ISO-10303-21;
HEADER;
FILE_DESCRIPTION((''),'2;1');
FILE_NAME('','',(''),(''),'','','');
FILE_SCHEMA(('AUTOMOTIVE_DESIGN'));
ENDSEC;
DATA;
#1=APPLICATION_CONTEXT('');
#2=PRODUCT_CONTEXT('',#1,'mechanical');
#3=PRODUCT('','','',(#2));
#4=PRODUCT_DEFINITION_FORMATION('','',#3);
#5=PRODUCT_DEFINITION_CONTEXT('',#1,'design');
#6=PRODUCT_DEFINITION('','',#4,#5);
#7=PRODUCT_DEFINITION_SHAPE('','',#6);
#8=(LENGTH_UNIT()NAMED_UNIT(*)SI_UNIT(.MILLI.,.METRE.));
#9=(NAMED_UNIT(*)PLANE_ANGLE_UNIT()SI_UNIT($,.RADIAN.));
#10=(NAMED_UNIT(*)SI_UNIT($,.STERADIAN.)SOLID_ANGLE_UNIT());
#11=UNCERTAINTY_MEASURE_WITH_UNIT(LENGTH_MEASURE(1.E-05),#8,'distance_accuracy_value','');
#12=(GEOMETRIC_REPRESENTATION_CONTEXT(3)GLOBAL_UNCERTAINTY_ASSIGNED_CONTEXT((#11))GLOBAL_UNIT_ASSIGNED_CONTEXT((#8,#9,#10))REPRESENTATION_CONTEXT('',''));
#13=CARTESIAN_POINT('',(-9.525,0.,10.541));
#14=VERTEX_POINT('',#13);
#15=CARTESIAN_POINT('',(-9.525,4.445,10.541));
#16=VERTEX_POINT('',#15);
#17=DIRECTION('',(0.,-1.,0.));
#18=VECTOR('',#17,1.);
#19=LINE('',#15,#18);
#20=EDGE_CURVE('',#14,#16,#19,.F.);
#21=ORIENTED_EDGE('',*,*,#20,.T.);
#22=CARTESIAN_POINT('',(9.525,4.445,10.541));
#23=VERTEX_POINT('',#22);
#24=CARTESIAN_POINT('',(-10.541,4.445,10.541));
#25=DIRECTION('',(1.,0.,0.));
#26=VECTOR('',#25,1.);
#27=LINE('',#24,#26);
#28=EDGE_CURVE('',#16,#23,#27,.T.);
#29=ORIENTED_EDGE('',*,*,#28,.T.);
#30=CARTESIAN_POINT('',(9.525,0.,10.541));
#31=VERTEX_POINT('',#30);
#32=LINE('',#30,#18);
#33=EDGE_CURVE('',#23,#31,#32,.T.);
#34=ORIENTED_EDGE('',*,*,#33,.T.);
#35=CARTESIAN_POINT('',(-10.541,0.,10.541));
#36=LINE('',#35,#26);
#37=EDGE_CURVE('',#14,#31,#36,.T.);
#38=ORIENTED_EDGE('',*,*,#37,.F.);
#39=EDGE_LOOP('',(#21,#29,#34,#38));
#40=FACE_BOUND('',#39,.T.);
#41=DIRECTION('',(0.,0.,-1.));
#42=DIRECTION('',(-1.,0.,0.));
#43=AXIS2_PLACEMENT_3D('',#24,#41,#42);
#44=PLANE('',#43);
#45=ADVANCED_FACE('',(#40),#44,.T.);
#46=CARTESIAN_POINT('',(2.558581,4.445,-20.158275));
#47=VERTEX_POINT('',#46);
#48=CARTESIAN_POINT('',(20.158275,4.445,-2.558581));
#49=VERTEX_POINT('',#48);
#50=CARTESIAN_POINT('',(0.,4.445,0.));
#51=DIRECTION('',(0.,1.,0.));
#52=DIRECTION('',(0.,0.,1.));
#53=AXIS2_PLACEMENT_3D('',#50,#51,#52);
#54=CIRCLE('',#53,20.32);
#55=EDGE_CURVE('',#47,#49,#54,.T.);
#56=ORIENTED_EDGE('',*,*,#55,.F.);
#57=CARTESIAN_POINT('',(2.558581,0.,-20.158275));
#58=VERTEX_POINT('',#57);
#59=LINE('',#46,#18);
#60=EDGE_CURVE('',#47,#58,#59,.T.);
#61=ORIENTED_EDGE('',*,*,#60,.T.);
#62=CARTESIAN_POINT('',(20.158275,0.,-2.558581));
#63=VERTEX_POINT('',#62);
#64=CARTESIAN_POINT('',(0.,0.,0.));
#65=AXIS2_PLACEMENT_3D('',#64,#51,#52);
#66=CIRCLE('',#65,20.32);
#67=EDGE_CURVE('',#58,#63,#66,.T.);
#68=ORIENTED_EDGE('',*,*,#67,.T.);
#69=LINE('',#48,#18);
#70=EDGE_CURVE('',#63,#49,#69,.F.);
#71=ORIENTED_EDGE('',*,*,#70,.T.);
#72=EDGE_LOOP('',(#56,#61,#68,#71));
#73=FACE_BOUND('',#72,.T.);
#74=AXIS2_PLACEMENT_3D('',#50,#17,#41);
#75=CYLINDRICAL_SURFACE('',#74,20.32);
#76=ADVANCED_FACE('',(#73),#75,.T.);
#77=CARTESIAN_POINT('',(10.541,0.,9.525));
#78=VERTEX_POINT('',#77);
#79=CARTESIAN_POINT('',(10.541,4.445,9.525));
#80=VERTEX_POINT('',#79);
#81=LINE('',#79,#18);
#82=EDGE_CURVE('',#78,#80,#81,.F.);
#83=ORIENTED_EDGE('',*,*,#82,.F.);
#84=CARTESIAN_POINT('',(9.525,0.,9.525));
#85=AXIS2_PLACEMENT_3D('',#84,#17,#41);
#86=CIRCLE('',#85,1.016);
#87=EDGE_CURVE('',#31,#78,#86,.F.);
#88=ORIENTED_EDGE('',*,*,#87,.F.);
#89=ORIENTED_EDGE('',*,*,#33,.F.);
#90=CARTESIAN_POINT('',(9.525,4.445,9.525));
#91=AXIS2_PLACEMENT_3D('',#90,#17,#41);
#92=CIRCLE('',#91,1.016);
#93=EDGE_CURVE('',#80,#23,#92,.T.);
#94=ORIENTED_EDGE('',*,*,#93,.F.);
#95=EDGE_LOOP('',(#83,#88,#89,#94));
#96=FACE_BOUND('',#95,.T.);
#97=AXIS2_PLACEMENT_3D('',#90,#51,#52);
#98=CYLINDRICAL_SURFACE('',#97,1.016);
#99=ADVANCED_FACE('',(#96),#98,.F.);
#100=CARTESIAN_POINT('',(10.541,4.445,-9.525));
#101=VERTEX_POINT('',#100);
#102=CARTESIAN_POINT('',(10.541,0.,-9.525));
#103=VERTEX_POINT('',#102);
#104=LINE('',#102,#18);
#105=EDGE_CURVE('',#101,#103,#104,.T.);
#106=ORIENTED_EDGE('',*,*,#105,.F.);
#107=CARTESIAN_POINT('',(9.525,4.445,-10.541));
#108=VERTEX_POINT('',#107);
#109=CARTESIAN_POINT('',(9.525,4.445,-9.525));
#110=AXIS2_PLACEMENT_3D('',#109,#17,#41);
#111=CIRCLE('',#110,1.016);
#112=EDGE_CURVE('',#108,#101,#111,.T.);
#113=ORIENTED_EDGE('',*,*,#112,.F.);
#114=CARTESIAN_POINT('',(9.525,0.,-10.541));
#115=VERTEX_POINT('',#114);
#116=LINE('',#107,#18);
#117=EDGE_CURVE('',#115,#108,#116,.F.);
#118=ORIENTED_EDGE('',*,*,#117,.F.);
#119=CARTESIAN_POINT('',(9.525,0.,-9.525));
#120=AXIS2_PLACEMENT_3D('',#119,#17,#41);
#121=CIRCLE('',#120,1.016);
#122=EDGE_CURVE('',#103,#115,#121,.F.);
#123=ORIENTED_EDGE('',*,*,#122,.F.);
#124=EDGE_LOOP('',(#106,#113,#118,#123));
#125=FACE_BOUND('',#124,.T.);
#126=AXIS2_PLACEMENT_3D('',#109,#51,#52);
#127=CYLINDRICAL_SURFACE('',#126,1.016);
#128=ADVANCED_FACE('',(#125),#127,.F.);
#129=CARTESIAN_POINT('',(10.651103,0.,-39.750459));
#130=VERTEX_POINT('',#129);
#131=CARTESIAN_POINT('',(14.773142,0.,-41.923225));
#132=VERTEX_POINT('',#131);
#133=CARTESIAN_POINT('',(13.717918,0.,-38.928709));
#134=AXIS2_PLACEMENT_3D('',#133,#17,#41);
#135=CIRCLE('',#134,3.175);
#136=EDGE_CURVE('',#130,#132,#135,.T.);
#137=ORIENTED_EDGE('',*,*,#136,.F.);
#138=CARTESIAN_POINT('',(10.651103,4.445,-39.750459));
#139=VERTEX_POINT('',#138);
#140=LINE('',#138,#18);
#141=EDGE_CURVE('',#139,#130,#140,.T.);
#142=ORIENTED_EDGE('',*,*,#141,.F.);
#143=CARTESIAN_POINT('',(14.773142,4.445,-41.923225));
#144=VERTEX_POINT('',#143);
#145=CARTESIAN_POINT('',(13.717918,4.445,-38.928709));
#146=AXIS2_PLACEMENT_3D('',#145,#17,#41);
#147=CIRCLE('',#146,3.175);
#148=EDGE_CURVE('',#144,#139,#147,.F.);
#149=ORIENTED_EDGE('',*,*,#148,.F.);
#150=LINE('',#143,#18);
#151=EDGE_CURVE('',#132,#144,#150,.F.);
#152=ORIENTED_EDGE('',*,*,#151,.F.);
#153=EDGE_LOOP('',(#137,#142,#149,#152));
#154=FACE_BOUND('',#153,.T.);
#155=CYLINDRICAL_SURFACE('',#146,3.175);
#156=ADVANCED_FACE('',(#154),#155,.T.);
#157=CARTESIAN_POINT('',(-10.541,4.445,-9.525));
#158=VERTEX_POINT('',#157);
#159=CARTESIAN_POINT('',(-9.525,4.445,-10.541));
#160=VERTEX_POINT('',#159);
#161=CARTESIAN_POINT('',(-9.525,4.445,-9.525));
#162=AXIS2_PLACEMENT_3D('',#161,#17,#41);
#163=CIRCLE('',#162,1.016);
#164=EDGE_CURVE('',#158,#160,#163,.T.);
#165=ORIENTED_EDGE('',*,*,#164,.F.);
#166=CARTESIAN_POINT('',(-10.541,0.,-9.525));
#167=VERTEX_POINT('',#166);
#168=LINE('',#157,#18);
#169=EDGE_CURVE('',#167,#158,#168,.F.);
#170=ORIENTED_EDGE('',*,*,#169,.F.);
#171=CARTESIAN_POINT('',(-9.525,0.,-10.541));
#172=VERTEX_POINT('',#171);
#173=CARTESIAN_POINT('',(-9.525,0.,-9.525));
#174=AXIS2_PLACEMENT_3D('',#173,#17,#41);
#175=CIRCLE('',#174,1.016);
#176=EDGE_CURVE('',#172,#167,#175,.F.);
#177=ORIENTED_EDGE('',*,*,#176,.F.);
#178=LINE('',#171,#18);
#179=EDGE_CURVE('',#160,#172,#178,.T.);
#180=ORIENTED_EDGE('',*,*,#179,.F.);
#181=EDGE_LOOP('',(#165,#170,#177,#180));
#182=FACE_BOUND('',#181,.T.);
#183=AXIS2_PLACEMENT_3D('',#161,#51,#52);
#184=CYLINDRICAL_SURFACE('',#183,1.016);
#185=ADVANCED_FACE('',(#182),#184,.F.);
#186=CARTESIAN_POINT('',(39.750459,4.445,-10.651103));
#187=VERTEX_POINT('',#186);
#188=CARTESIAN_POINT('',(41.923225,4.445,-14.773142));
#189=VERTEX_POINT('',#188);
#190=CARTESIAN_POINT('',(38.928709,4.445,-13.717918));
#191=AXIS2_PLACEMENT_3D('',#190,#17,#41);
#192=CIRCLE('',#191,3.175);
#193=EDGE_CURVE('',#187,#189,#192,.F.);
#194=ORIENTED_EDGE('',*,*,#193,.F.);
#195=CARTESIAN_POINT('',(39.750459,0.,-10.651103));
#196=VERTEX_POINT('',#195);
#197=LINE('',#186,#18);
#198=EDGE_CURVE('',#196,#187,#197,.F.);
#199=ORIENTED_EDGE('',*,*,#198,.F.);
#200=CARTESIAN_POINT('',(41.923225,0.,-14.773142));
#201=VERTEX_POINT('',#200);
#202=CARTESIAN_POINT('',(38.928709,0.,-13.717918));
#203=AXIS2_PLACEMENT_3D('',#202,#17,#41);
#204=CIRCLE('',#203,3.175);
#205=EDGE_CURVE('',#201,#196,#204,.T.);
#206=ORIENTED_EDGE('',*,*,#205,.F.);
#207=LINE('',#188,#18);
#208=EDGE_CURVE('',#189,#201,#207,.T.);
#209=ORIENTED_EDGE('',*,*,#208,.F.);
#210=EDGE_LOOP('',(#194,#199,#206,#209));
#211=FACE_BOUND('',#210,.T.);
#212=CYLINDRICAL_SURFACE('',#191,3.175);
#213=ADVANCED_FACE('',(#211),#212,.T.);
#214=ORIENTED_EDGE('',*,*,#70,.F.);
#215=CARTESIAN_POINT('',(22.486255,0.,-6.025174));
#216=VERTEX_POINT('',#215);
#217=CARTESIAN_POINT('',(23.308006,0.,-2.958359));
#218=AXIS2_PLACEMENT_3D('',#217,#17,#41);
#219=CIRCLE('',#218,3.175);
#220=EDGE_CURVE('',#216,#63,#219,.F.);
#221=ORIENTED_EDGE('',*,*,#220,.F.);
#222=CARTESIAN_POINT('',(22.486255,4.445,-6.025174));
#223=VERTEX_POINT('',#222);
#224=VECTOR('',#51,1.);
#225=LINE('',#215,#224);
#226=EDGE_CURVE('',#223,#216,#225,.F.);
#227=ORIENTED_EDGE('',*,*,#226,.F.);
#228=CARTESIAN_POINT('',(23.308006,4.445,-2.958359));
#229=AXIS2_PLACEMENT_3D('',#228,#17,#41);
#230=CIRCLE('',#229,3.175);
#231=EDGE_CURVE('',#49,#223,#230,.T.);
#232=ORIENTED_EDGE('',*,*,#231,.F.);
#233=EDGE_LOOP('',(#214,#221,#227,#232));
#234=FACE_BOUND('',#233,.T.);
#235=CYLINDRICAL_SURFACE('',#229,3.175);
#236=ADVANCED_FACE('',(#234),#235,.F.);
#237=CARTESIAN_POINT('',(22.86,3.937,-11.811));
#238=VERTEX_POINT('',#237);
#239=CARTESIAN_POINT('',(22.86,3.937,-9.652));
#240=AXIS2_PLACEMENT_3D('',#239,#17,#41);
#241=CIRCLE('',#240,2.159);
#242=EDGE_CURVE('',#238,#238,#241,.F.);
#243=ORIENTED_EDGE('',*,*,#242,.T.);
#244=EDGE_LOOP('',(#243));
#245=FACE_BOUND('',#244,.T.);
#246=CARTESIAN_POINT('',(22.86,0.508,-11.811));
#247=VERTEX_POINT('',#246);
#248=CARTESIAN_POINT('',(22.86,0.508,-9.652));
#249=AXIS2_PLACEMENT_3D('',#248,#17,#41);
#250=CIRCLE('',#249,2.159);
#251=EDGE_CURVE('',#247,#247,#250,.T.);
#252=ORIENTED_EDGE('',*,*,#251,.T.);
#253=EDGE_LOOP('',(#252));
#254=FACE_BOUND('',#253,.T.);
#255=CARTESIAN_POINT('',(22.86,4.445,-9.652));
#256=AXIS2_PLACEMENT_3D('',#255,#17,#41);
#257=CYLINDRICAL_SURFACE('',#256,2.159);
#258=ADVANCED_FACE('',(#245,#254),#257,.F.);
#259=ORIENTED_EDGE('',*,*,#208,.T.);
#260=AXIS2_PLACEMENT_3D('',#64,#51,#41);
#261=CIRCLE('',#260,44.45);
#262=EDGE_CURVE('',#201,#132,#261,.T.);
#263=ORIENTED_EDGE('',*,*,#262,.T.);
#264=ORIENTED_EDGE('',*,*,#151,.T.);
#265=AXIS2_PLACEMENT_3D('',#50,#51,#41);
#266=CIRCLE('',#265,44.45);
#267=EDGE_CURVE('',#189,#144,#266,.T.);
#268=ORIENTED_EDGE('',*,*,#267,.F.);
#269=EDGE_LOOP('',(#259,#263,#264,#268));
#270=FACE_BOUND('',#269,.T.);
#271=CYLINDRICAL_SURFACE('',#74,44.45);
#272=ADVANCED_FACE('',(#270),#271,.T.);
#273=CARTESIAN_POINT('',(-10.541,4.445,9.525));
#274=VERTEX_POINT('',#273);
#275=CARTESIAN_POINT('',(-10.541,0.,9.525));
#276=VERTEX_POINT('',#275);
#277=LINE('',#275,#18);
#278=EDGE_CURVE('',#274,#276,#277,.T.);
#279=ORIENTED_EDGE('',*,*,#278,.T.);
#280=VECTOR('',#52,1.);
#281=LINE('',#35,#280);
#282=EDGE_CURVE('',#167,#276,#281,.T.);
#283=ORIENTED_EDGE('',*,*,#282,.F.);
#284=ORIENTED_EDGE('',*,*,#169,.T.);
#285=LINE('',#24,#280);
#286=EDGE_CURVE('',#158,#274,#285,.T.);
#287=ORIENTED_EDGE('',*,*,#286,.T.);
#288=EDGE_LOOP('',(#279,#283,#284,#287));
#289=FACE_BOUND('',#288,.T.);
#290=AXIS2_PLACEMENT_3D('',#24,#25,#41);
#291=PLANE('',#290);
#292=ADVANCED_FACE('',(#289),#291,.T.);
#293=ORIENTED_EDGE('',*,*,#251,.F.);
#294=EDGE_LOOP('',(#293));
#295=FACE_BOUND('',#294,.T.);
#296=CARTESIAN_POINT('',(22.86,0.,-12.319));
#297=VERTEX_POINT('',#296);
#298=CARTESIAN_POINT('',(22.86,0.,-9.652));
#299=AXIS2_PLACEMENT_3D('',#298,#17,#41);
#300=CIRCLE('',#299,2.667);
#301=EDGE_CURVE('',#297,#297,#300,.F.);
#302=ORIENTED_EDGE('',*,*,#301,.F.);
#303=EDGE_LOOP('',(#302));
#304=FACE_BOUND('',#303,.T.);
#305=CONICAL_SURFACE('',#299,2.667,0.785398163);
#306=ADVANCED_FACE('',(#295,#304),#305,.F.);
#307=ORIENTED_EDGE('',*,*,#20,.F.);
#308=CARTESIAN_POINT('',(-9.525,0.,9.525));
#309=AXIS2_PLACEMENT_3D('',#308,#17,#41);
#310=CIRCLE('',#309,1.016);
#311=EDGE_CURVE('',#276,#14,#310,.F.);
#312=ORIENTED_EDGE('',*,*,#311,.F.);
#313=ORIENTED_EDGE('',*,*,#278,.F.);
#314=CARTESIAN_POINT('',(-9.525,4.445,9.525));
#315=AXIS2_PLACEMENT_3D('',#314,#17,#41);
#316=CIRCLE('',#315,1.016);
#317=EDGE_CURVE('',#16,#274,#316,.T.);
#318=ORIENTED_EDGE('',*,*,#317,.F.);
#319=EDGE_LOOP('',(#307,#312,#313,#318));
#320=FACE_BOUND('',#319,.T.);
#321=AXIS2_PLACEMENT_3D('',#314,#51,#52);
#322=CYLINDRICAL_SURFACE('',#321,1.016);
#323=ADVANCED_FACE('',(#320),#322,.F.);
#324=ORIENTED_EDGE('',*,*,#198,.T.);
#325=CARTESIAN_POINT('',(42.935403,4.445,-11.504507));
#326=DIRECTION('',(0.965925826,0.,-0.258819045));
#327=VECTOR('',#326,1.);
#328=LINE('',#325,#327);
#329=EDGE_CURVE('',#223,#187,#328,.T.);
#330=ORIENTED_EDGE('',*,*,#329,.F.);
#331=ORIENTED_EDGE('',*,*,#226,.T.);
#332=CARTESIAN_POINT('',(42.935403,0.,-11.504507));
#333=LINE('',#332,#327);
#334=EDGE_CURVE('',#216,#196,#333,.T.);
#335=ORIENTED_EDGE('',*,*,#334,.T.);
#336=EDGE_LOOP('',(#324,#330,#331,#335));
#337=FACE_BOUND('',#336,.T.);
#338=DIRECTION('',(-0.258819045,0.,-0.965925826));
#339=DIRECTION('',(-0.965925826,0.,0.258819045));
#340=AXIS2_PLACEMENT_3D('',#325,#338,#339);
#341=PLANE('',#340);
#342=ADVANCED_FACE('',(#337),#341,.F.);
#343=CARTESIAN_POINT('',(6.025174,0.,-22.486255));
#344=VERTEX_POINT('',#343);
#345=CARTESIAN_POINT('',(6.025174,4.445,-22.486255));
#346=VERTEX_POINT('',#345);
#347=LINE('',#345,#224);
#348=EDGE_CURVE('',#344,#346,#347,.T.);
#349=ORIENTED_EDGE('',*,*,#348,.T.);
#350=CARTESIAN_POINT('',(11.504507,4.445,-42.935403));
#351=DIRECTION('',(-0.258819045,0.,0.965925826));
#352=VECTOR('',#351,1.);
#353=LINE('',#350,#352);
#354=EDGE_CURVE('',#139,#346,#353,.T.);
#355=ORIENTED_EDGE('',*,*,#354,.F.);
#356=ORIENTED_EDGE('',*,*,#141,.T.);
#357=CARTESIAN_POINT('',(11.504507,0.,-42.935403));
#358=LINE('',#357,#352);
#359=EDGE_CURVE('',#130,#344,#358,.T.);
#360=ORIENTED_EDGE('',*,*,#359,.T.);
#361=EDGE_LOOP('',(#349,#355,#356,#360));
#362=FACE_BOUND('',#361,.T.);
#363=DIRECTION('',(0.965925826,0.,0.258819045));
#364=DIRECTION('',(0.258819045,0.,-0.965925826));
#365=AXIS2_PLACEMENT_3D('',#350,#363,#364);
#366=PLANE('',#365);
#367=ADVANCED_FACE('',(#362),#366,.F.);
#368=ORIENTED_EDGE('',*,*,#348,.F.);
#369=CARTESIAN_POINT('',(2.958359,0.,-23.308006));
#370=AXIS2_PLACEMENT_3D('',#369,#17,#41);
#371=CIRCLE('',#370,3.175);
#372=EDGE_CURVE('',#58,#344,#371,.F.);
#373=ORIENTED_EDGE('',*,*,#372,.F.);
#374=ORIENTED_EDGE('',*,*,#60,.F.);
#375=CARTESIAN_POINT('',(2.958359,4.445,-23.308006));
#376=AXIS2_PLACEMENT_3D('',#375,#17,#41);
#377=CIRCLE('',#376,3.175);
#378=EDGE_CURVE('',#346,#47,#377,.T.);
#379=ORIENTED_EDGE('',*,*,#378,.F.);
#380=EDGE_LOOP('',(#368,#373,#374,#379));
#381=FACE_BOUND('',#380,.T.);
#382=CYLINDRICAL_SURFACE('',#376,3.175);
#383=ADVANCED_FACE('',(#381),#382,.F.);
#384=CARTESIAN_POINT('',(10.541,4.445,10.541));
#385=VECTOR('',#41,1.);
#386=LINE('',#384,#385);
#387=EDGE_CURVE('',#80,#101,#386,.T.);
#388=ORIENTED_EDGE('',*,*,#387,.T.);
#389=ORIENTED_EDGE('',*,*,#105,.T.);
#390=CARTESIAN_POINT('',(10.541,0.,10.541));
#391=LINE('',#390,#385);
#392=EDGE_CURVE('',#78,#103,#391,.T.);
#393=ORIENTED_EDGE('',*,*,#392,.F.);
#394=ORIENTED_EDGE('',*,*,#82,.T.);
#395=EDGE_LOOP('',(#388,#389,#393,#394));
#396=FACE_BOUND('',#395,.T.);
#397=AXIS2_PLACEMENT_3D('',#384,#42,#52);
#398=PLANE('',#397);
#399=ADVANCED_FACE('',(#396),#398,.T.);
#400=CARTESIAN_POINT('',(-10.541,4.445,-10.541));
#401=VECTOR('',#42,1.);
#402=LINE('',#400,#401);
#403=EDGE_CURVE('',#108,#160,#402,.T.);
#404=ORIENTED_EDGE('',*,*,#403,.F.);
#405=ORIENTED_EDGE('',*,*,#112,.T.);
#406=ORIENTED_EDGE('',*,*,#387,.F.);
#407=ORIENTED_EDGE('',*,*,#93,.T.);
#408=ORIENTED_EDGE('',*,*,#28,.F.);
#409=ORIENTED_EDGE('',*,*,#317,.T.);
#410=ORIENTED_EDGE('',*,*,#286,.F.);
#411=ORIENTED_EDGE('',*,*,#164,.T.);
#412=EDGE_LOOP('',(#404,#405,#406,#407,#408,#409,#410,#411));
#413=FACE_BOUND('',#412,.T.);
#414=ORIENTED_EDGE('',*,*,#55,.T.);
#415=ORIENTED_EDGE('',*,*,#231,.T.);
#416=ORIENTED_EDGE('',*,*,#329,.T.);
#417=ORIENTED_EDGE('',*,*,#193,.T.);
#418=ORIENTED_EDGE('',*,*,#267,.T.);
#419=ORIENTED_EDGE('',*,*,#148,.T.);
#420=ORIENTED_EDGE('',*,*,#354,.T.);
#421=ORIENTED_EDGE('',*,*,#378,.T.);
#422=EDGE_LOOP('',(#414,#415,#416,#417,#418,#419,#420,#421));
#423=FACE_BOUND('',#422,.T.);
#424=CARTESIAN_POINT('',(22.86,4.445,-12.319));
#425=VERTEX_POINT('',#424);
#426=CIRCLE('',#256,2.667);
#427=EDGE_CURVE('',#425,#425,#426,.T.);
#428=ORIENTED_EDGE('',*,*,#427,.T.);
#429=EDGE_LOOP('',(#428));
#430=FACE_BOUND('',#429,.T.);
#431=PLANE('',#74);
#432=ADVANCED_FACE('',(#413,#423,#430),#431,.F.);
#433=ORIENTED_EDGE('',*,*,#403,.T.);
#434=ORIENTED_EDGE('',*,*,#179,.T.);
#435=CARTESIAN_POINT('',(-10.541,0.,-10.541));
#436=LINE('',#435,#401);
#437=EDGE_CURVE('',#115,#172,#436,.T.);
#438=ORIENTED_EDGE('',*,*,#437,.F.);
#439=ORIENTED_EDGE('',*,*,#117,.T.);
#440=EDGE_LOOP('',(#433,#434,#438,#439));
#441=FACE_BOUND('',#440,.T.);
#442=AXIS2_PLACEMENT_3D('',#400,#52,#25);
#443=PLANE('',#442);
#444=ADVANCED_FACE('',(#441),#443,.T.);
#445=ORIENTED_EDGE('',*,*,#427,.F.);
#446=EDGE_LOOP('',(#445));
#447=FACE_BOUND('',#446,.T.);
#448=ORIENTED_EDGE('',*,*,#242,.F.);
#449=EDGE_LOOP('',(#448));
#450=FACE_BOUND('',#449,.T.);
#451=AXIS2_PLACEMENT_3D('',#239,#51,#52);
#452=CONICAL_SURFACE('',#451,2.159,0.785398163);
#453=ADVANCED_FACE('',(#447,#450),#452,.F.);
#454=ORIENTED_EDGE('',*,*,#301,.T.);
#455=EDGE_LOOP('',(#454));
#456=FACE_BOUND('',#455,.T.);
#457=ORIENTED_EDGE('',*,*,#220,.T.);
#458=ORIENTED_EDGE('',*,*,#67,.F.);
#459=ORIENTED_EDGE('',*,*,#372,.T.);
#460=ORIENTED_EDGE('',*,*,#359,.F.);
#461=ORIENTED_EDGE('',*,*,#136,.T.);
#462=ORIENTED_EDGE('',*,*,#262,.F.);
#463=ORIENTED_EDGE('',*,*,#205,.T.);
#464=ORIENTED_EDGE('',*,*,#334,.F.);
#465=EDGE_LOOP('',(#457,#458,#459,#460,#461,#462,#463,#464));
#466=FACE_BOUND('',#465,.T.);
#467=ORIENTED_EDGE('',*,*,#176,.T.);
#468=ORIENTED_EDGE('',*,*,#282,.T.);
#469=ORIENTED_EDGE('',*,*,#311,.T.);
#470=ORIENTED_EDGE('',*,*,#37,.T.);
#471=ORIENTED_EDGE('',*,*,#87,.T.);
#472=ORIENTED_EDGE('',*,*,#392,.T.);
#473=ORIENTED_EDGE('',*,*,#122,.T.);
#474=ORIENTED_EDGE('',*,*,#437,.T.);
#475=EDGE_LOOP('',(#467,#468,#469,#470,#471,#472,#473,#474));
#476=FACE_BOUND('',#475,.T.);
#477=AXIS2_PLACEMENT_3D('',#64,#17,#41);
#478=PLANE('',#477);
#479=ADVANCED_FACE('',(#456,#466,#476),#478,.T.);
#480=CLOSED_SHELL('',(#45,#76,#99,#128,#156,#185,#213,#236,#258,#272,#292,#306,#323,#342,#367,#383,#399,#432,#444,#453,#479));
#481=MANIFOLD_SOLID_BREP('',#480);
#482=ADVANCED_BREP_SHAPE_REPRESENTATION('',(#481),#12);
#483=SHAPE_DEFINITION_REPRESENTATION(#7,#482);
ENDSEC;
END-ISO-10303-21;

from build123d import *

# Parameters (mm, degrees)
CROQUIS1_R              = 2.159
CROQUIS1_W              = 21.082
CROQUIS1_H              = 21.082
SALIENTE_EXTRUIR1_DEPTH = 4.445
REDONDEO1_R             = 3.175
REDONDEO2_R             = 1.016
CHAFL_N1_SIZE           = 0.508


with BuildPart() as part:
    # Croquis1 → Saliente-Extruir1 (new body)
    with BuildSketch(Plane(origin=(0, 0, 0), x_dir=(1, 0, 0), z_dir=(0, 1, 0))):
        with BuildLine():
            Line((11.504506555, 42.935402979), (5.259202996, 19.62761279))
            ThreePointArc((5.259202996, 19.62761279), (-14.368409794, -14.368409794), (19.62761279, 5.259202996))
            Line((19.62761279, 5.259202996), (42.935402979, 11.504506555))
            ThreePointArc((42.935402979, 11.504506555), (31.430896424, 31.430896424), (11.504506555, 42.935402979))
        make_face()
        with Locations(Location((22.86, 9.652, 0), (0, 0, 270))):
            Circle(CROQUIS1_R, mode=Mode.SUBTRACT)
        Rectangle(CROQUIS1_W, CROQUIS1_H, mode=Mode.SUBTRACT)
    extrude(amount=SALIENTE_EXTRUIR1_DEPTH)

    # Redondeo1
    redondeo1_edges = [part.edges().sort_by_distance(p)[0] for p in [
        (42.935402979, 2.2225, -11.504506555),
        (19.62761279, 2.2225, -5.259202996),
        (5.259202996, 2.2225, -19.62761279),
        (11.504506555, 2.2225, -42.935402979),
    ]]
    fillet(redondeo1_edges, radius=REDONDEO1_R)

    # Redondeo2
    redondeo2_edges = [part.edges().sort_by_distance(p)[0] for p in [
        (10.541, 2.2225, 10.541),
        (10.541, 2.2225, -10.541),
        (-10.541, 2.2225, -10.541),
        (-10.541, 2.2225, 10.541),
    ]]
    fillet(redondeo2_edges, radius=REDONDEO2_R)

    # Chaflán1
    chafl_n1_edges = [part.edges().sort_by_distance(p)[0] for p in [
        (22.86, 0, -11.811),
        (22.86, 4.445, -11.811),
    ]]
    chamfer(chafl_n1_edges, length=CHAFL_N1_SIZE)


solid = part.part
